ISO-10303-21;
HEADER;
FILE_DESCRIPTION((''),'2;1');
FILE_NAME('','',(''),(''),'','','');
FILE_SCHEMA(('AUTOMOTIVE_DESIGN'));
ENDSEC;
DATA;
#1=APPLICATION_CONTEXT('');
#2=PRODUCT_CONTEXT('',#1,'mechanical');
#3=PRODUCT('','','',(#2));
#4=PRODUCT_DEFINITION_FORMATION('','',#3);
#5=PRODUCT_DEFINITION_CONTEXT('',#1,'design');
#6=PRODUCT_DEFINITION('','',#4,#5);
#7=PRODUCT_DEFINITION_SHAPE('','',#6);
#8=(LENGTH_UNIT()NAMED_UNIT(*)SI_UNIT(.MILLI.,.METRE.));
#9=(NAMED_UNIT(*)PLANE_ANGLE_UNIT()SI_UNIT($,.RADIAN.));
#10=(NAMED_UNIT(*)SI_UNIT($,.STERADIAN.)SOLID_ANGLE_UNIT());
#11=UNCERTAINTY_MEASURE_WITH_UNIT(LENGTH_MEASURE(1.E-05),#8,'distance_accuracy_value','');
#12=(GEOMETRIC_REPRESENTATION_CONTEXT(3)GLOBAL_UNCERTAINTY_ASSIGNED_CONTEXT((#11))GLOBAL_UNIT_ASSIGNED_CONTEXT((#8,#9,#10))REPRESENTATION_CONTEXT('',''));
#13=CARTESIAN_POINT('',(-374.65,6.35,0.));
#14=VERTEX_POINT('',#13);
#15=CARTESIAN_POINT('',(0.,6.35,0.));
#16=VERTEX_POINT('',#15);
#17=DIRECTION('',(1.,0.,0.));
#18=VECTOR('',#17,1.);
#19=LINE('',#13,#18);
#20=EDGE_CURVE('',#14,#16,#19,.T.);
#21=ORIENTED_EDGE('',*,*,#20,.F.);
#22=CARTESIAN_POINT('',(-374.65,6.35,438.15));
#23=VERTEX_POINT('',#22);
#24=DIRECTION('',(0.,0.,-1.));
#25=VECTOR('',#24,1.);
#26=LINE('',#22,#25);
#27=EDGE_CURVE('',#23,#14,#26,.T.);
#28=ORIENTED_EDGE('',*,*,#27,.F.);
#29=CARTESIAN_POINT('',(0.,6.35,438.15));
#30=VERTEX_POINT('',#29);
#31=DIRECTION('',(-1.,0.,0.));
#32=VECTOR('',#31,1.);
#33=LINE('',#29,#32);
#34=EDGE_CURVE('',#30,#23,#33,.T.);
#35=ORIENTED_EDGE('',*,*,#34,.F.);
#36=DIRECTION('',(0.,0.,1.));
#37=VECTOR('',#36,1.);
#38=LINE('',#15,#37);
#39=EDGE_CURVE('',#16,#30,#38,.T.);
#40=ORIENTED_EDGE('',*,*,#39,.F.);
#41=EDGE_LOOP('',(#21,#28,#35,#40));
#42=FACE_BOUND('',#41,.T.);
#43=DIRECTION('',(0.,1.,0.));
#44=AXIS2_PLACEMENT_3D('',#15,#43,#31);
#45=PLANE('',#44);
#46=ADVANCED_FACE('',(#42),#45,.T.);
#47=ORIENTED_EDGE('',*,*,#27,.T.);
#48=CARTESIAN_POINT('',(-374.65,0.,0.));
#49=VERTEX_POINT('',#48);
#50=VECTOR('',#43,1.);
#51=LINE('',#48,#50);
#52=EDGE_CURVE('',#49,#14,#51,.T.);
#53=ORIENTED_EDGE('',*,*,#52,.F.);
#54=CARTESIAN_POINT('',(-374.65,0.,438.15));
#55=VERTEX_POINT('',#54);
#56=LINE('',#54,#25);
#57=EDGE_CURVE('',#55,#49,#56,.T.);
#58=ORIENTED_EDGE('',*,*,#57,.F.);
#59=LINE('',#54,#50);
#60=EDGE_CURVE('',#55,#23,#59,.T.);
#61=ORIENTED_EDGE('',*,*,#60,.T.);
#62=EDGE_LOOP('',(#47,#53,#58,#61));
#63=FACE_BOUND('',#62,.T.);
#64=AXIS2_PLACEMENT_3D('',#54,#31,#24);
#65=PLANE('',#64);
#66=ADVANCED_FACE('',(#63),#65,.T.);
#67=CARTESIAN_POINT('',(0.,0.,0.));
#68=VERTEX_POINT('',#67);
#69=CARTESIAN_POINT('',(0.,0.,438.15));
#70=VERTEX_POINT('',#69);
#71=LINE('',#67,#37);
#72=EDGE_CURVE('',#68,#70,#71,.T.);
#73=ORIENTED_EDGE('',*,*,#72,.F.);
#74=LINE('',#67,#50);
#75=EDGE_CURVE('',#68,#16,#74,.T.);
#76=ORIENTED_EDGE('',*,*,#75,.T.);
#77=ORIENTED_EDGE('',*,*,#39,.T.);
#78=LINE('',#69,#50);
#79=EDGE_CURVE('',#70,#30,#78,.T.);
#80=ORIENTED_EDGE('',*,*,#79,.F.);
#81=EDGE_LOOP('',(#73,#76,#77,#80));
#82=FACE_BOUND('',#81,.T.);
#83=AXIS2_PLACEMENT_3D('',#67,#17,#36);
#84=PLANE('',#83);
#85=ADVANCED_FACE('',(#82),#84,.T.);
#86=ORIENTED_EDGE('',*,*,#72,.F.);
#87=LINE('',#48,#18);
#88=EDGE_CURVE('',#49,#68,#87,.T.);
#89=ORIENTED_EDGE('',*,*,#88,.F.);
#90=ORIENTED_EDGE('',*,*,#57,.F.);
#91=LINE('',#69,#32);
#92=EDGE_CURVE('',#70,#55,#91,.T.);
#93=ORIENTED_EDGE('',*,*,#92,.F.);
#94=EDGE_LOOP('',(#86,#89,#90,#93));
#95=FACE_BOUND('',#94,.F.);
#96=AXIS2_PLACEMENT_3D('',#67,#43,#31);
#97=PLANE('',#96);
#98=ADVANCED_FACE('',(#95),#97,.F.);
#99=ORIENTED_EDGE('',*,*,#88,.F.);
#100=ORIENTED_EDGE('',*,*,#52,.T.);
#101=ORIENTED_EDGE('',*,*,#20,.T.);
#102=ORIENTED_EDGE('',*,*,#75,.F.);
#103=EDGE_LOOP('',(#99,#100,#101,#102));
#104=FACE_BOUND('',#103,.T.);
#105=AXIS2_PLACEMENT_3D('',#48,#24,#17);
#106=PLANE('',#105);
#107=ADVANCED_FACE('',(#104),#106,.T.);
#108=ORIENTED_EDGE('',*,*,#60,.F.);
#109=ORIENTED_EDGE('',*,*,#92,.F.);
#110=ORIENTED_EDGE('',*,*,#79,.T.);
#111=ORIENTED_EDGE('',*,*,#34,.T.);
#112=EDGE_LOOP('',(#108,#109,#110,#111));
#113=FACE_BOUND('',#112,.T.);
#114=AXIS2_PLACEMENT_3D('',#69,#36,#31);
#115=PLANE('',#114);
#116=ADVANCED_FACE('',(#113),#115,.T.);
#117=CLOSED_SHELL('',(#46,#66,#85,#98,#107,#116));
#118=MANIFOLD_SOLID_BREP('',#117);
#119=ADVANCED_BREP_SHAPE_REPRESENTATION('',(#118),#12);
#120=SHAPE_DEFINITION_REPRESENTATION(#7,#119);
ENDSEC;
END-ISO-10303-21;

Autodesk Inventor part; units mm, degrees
ref_plane "YZ Plane" through (0, 0, 0) normal (1, 0, 0) x (0, 1, 0)
ref_plane "XZ Plane" through (0, 0, 0) normal (0, 1, 0) x (-1, 0, 0)
ref_plane "XY Plane" through (0, 0, 0) normal (0, 0, 1) x (1, 0, 0)
sketch "Sketch1" plane through (0, 0, 0) normal (0, 1, 0) x (-1, 0, 0)
  line L0 (0, 0) -> (0, 438.15)
  line L1 (0, 438.15) -> (374.65, 438.15)
  line L2 (374.65, 438.15) -> (374.65, 0)
  line L3 (374.65, 0) -> (0, 0)
  dimension "d0" = 438.15
  dimension "d1" = 374.65
extrude "Extrusion1" add sketch "Sketch1" along normal blind 6.35
properties part number "Flat Board"
